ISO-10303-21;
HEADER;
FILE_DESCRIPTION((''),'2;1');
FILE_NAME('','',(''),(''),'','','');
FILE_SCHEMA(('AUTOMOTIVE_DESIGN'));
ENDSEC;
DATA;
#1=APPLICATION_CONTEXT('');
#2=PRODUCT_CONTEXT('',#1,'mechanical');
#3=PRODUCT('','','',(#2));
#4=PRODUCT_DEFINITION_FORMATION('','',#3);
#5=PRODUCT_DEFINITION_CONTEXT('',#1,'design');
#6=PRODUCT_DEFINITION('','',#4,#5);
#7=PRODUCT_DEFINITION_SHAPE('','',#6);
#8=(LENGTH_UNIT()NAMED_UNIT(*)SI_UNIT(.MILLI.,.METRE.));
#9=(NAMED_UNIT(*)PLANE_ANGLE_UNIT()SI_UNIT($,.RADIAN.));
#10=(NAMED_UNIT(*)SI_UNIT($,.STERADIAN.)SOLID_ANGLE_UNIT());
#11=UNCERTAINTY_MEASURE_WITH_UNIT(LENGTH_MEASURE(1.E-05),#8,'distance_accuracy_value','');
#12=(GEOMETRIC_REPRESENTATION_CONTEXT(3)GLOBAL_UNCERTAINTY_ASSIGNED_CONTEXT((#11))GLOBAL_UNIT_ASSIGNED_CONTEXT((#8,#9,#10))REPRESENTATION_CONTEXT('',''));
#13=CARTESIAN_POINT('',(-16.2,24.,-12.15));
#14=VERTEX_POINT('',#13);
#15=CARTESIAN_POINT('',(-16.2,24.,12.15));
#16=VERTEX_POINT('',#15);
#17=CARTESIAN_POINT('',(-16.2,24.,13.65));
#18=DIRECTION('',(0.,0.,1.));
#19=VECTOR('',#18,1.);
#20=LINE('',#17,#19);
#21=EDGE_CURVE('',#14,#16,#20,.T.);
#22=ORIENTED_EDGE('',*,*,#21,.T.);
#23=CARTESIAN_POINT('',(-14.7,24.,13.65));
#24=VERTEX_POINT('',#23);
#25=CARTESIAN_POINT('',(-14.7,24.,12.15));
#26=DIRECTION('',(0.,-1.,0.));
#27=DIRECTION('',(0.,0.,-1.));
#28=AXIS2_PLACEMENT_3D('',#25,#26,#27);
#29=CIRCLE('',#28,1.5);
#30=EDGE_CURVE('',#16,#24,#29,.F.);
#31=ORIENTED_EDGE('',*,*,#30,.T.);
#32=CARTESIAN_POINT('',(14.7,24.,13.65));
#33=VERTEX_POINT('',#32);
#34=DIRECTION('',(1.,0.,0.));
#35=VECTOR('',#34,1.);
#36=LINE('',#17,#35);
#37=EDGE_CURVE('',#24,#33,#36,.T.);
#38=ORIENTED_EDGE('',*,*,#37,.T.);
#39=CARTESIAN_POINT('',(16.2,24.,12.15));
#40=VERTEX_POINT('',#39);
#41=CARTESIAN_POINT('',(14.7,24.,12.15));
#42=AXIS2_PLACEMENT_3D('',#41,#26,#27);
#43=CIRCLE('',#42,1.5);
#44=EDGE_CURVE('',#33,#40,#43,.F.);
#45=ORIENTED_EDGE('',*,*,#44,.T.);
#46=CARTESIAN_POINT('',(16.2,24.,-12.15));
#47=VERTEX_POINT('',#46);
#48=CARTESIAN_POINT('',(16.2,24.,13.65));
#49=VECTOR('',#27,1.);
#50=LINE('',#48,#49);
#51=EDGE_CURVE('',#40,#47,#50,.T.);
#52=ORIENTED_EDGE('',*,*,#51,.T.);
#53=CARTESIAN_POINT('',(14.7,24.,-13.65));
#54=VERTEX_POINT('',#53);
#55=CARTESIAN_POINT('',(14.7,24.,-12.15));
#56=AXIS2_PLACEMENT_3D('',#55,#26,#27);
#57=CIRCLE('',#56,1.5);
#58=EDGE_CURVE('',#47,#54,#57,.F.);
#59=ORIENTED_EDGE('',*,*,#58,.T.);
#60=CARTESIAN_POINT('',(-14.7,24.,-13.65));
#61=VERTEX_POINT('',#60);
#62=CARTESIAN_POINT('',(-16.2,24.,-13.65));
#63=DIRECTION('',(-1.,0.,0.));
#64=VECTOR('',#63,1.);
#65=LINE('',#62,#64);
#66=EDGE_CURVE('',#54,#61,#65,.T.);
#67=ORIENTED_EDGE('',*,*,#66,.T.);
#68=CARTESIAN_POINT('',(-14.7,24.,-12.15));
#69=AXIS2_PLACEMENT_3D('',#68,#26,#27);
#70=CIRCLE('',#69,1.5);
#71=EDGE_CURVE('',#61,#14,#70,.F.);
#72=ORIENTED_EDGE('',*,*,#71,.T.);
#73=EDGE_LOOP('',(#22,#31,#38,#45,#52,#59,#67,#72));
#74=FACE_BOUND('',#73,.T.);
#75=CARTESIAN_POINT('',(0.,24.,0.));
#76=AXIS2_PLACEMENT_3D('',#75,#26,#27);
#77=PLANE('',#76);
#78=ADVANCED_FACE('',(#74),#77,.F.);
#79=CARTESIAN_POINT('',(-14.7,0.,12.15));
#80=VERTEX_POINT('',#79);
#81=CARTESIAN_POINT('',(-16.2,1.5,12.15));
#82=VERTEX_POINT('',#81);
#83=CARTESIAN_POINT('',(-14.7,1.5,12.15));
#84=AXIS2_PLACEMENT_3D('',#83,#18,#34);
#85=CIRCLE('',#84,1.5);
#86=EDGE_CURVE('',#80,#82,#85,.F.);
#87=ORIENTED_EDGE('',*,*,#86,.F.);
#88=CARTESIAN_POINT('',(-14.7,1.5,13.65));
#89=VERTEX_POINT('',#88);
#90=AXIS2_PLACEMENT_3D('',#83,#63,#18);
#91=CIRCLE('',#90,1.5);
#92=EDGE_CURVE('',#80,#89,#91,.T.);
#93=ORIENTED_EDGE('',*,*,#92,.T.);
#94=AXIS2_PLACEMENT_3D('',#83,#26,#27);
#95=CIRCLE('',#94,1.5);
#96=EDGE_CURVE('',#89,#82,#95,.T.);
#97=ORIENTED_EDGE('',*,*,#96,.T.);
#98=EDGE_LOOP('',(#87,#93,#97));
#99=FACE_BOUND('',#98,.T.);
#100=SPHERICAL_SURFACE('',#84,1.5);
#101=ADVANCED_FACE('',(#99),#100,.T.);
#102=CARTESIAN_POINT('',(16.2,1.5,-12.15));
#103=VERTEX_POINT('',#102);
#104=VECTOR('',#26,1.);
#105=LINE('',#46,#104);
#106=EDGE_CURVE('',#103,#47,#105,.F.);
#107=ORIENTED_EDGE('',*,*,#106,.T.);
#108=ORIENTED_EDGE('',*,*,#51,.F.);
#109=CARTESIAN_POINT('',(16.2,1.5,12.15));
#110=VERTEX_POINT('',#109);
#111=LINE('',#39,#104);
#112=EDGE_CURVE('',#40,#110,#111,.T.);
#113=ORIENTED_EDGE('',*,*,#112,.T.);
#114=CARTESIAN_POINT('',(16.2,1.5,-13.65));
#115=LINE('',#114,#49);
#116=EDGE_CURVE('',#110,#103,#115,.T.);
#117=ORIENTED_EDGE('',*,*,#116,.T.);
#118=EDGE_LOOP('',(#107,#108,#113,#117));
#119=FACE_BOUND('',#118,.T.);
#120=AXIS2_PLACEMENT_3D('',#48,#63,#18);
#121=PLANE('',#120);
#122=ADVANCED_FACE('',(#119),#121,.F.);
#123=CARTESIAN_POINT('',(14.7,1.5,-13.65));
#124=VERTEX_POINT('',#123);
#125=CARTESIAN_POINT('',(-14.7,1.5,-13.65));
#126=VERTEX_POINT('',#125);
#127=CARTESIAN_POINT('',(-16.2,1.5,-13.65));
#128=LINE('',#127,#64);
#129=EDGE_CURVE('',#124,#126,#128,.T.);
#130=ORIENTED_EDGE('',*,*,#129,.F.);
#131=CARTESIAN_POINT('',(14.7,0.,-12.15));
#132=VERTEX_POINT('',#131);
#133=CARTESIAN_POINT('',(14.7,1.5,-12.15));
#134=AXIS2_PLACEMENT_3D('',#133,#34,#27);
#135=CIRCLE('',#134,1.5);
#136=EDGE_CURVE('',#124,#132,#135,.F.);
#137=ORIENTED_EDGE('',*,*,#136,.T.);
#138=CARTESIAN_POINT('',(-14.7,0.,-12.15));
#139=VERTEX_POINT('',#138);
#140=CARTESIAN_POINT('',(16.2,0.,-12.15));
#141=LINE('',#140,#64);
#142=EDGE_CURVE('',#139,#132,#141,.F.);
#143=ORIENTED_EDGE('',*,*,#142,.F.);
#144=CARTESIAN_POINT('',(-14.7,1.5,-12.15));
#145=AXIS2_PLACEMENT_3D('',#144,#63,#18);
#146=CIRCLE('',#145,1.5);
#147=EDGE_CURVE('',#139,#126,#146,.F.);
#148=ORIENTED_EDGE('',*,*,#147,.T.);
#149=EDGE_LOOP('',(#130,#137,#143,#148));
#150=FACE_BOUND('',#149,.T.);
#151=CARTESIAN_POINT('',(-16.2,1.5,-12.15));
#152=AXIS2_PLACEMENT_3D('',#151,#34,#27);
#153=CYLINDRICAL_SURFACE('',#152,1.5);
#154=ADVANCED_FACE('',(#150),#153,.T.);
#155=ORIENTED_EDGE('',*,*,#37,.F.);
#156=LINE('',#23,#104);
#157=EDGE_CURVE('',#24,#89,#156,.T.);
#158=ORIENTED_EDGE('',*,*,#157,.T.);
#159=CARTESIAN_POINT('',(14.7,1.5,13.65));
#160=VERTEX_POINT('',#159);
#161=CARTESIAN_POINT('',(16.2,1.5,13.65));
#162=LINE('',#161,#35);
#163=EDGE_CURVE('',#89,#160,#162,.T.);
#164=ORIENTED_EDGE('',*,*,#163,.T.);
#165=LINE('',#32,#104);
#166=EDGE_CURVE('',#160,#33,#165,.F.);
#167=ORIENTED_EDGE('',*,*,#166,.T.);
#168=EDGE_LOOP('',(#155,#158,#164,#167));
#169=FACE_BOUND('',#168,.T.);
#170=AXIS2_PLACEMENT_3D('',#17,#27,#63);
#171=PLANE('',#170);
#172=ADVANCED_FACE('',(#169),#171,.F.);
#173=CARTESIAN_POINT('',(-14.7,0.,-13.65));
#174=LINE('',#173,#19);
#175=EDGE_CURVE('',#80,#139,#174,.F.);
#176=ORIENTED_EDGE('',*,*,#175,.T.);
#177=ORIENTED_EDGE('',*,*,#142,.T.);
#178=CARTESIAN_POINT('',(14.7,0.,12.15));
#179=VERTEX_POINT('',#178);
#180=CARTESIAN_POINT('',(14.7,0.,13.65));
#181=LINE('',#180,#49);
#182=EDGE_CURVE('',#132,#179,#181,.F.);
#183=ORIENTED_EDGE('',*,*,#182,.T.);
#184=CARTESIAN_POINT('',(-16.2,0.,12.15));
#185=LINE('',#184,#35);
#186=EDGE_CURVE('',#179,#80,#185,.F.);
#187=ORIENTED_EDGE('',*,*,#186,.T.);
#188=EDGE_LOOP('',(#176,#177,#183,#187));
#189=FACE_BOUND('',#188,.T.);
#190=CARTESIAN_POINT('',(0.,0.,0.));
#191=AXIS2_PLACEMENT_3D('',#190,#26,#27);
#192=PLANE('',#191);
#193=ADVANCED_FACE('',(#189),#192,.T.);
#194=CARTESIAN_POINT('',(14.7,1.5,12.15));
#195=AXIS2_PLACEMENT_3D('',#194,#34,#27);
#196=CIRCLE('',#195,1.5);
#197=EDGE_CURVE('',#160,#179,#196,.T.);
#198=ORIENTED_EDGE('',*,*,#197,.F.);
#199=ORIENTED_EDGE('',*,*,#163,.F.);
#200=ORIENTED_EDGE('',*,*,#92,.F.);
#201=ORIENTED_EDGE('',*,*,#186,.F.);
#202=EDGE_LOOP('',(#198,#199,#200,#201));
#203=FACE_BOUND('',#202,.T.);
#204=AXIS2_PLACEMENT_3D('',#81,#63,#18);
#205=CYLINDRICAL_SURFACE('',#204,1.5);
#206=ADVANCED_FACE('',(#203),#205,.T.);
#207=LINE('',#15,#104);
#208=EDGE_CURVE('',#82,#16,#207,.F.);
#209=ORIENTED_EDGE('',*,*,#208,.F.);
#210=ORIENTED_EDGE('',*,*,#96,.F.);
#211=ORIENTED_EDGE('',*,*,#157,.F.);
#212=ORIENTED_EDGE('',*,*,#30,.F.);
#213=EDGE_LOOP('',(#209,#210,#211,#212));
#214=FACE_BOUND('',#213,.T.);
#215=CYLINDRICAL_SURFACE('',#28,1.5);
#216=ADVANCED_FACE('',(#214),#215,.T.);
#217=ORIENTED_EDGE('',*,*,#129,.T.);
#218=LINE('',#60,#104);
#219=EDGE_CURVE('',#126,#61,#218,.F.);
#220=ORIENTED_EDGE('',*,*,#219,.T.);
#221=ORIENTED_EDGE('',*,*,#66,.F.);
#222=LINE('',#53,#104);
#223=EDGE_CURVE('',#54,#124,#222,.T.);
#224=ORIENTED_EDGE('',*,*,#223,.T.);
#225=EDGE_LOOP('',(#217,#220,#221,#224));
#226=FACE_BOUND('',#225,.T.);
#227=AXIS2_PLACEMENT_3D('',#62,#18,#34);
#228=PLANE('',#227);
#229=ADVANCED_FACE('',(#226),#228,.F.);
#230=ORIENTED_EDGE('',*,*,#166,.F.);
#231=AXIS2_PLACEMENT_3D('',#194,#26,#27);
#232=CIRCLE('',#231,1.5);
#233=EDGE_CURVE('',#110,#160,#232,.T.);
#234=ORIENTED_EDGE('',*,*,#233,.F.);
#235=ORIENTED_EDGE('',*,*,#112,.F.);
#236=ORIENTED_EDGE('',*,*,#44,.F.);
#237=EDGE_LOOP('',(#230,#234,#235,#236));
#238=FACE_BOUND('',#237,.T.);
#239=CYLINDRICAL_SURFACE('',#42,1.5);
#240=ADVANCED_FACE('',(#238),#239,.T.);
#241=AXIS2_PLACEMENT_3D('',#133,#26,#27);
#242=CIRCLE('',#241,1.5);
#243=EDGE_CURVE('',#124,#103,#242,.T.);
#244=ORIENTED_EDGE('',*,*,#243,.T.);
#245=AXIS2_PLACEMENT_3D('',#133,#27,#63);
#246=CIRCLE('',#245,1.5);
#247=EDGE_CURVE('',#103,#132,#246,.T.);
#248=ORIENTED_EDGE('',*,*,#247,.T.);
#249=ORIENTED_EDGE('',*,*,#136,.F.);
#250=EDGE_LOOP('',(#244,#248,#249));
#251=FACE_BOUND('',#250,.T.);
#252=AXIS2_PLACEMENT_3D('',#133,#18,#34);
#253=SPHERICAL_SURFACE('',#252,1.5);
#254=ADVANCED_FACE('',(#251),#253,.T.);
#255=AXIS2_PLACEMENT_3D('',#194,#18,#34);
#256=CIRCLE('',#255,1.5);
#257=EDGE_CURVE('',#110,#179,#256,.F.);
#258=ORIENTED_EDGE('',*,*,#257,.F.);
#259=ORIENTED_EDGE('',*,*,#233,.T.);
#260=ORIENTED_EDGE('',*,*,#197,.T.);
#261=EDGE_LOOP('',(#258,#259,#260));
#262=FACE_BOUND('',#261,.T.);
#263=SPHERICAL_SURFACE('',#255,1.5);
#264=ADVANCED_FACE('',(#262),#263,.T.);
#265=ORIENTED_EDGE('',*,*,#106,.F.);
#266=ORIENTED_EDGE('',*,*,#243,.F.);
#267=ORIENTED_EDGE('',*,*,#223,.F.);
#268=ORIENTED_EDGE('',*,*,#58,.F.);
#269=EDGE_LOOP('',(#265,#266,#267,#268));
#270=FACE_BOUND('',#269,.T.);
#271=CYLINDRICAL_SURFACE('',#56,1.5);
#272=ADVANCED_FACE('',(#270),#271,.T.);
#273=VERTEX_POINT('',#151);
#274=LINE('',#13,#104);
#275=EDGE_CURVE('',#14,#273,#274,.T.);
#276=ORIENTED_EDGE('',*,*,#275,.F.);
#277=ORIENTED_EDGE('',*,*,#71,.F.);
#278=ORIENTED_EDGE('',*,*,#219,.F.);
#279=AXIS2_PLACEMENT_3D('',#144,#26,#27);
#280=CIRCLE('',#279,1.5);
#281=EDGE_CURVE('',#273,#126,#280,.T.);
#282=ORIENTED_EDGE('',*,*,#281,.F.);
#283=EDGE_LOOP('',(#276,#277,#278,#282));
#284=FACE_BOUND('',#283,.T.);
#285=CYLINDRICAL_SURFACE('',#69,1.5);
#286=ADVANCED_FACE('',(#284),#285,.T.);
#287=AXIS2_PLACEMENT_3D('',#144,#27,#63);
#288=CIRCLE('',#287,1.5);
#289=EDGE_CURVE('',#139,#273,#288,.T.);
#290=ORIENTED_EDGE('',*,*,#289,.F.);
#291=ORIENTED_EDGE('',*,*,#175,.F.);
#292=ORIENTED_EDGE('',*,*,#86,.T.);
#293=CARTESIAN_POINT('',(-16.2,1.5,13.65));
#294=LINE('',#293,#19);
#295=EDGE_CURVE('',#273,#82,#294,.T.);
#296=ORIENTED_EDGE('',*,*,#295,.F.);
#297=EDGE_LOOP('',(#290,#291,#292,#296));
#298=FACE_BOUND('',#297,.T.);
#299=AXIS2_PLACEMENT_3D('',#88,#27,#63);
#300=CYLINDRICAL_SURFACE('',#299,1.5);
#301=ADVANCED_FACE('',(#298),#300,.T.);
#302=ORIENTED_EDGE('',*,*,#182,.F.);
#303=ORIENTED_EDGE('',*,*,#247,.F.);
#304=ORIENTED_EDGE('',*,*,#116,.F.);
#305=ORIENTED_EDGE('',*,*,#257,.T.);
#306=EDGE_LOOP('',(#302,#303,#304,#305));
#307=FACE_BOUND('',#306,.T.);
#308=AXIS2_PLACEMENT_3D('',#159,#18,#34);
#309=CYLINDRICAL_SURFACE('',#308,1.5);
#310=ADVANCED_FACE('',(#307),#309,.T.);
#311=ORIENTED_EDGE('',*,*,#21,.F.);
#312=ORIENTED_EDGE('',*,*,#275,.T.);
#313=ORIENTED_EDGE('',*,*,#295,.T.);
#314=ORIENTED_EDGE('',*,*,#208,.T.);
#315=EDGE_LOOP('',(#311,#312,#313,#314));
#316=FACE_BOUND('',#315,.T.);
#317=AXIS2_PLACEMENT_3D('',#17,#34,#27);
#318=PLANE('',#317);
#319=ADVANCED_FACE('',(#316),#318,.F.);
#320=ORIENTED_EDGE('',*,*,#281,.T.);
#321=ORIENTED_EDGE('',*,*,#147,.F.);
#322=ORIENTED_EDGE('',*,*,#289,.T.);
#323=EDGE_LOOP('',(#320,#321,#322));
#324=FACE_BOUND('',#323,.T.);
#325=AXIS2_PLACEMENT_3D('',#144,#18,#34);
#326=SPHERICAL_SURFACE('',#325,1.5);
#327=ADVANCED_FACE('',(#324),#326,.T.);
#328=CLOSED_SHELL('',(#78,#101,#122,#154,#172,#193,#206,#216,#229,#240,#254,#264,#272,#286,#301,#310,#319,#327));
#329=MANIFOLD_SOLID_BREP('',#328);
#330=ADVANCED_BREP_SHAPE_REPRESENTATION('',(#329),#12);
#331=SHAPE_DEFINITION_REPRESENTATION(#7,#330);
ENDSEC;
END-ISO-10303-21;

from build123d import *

# Parameters (mm, degrees)
SKIZZE1_W                       = 32.4
SKIZZE1_H                       = 27.3
AUFSATZ_LINEAR_AUSTRAGEN1_DEPTH = 24
VERRUNDUNG1_R                   = 1.5


with BuildPart() as part:
    # Skizze1 → Aufsatz-Linear austragen1 (new body)
    with BuildSketch(Plane(origin=(0, 0, 0), x_dir=(1, 0, 0), z_dir=(0, 1, 0))):
        Rectangle(SKIZZE1_W, SKIZZE1_H)
    extrude(amount=AUFSATZ_LINEAR_AUSTRAGEN1_DEPTH)

    # Verrundung1
    verrundung1_edges = [part.edges().sort_by_distance(p)[0] for p in [
        (0, 0, 13.65),
        (-16.2, 0, 0),
        (0, 0, -13.65),
        (16.2, 0, 0),
        (16.2, 12, 13.65),
        (-16.2, 12, 13.65),
        (-16.2, 12, -13.65),
        (16.2, 12, -13.65),
    ]]
    fillet(verrundung1_edges, radius=VERRUNDUNG1_R)


solid = part.part
